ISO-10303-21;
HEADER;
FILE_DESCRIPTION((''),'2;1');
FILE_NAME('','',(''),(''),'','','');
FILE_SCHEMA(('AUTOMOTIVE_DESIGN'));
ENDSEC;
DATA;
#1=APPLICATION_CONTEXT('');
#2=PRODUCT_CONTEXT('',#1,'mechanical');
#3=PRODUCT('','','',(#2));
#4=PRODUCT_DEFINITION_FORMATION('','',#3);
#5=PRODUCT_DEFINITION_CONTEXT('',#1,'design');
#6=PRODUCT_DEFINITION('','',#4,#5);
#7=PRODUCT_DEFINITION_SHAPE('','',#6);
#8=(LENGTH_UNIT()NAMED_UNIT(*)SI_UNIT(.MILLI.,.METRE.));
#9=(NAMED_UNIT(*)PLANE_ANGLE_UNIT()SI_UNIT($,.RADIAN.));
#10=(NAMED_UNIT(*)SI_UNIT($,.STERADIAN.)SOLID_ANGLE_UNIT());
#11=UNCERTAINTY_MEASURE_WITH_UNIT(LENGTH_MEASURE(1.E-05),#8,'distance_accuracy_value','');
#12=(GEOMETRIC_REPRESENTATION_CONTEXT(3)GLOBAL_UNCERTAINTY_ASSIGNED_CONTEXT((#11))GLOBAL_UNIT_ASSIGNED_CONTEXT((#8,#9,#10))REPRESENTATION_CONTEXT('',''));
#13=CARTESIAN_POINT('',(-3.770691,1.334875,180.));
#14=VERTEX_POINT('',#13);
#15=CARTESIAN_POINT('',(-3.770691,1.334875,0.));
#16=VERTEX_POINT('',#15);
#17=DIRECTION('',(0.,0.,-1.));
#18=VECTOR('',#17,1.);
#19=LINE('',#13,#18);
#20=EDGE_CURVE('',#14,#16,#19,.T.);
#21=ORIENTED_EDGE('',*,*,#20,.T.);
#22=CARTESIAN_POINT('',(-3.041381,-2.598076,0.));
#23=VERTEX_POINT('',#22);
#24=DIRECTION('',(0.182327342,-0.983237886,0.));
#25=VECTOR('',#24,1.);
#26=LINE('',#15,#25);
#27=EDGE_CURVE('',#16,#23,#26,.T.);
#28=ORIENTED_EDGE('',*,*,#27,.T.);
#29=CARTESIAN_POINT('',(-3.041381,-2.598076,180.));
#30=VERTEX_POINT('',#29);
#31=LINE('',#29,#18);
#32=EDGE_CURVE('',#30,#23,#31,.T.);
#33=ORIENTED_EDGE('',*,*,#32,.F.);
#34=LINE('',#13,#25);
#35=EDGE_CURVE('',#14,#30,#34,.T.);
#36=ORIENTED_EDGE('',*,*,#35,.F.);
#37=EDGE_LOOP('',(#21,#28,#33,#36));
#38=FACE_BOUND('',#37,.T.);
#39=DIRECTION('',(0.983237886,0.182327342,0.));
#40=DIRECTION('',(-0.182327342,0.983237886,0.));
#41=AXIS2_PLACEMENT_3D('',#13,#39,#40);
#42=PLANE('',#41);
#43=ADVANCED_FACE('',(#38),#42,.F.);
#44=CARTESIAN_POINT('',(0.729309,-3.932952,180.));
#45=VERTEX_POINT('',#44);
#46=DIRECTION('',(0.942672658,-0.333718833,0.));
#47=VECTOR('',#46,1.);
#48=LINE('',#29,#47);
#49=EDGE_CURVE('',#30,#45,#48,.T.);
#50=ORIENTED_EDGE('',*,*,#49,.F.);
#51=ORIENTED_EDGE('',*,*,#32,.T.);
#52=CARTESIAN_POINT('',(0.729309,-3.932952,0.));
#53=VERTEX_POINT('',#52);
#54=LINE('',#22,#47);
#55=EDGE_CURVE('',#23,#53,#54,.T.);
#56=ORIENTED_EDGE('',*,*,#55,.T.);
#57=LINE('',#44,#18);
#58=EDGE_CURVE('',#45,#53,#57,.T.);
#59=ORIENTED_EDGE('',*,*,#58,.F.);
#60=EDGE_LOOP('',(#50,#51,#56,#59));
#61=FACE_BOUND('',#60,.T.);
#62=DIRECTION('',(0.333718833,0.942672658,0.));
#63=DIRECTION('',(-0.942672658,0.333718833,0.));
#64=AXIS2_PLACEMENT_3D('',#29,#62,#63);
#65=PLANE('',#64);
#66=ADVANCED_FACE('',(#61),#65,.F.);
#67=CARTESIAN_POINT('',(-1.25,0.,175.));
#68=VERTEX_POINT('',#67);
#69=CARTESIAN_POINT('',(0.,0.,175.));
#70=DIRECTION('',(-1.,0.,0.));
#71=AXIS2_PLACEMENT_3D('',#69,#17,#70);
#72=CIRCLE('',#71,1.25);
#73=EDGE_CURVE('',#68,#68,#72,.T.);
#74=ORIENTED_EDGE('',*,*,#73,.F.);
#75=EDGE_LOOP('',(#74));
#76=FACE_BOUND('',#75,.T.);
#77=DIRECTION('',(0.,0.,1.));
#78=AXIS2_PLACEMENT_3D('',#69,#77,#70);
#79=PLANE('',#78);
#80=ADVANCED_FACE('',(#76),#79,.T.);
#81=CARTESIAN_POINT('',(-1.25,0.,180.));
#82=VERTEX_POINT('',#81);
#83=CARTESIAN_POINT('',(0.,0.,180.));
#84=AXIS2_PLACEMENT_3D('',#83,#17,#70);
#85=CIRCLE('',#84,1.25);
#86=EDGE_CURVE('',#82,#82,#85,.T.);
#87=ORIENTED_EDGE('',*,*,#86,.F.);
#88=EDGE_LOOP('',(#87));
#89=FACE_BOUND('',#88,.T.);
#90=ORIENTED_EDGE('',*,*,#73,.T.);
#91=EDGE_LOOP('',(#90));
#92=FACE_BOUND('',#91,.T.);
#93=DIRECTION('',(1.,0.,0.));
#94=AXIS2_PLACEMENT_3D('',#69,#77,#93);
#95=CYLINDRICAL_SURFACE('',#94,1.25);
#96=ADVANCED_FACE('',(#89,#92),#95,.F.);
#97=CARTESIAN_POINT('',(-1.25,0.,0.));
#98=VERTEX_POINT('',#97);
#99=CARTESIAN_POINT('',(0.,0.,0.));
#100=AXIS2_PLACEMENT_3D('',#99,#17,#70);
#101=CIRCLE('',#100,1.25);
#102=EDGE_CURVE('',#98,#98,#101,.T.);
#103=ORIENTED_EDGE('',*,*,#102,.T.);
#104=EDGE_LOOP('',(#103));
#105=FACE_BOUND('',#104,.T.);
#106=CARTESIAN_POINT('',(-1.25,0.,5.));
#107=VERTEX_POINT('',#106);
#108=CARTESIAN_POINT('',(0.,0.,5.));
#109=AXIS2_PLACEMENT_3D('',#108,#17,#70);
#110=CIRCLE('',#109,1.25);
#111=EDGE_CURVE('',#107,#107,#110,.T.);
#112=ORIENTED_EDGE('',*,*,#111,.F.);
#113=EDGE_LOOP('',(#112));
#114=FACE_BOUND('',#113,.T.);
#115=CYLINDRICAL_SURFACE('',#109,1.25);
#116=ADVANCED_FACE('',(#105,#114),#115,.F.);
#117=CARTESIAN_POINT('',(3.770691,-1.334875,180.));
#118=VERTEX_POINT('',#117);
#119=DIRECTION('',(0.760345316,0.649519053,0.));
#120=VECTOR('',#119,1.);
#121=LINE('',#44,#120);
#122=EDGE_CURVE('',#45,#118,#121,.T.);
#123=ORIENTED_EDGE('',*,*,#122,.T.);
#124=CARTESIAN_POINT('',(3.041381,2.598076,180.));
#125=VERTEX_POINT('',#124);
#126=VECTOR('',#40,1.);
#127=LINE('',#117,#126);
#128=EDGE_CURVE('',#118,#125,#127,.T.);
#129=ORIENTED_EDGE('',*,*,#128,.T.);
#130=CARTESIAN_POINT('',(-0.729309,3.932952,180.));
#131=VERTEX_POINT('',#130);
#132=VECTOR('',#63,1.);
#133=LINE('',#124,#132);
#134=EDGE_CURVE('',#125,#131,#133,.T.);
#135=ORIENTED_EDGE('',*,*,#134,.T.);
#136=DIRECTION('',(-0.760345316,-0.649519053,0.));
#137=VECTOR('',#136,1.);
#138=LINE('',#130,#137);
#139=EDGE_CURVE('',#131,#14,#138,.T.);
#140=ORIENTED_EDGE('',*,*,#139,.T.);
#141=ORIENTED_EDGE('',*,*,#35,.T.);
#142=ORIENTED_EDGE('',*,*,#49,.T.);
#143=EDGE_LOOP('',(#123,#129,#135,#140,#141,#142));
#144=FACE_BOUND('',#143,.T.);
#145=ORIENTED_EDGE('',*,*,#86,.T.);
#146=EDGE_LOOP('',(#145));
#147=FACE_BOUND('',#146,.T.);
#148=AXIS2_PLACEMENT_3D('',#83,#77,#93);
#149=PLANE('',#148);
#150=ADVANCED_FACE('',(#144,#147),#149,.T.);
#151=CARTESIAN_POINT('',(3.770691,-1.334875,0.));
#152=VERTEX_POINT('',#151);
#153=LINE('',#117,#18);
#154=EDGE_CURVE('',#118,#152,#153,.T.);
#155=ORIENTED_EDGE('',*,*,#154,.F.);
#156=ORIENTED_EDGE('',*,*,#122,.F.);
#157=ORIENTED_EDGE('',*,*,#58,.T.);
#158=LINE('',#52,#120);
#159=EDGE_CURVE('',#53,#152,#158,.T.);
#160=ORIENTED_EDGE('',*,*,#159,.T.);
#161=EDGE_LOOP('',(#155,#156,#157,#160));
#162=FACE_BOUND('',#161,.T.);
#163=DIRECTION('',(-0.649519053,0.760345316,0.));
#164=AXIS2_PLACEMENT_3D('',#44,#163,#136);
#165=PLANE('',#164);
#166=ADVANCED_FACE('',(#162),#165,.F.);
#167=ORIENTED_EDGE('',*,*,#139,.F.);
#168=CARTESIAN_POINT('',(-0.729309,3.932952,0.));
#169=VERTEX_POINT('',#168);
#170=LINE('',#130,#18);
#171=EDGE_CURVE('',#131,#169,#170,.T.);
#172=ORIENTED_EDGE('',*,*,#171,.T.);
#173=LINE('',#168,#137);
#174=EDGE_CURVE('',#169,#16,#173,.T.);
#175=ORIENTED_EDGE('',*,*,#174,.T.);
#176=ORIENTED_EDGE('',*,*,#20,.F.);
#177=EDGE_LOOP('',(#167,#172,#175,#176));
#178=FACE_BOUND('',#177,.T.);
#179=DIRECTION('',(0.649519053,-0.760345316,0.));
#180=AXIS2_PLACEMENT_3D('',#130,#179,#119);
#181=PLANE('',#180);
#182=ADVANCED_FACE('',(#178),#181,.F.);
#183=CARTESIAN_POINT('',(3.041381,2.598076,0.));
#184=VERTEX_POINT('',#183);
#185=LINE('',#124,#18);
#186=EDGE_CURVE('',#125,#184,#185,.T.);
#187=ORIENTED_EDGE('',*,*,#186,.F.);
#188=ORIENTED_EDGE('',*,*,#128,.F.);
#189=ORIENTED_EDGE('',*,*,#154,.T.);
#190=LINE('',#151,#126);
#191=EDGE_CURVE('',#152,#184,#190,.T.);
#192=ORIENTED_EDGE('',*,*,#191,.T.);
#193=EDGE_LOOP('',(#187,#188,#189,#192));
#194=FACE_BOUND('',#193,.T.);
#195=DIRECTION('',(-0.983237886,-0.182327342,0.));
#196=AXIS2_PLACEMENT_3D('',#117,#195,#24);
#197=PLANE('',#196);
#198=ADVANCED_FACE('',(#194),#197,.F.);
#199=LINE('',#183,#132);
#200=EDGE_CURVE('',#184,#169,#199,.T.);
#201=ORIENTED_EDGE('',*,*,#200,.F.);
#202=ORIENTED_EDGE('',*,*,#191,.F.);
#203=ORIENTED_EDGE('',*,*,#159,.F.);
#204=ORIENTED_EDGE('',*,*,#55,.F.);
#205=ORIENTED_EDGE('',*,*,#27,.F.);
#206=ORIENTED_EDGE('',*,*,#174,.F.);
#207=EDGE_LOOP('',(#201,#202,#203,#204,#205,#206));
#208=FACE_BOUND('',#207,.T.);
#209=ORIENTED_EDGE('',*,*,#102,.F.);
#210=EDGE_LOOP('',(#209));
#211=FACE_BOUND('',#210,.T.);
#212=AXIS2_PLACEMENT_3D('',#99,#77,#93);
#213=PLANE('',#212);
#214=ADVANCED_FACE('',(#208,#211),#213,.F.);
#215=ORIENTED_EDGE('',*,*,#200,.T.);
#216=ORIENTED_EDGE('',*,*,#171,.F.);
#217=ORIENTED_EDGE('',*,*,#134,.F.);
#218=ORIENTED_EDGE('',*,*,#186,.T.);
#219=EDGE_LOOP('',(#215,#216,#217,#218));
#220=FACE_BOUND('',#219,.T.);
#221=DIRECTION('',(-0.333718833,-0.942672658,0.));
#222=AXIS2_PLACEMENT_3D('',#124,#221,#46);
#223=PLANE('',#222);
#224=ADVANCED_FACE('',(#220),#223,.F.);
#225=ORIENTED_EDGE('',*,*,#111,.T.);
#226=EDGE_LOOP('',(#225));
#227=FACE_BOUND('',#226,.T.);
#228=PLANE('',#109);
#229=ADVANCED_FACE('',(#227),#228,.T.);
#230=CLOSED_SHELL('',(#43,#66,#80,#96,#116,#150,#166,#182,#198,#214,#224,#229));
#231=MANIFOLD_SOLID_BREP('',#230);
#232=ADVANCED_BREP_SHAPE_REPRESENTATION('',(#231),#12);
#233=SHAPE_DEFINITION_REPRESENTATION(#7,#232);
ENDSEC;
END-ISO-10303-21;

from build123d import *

# Parameters (mm, degrees)
BOSS_EXTRUDE1_DEPTH = 180
SKETCH4_R           = 1.25
CUT_EXTRUDE1_DEPTH  = 5


with BuildPart() as part:
    # Sketch1 → Boss-Extrude1 (new body)
    with BuildSketch(Plane.XY):
        Polygon((3.770690633, -1.334875333), (3.041381265, 2.598076211), (-0.729309367, 3.932951544), (-3.770690633, 1.334875333), (-3.041381265, -2.598076211), (0.729309367, -3.932951544), align=None)
    extrude(amount=BOSS_EXTRUDE1_DEPTH)

    # Sketch4 → Cut-Extrude1 (cut)
    with BuildSketch(Plane(origin=(0, 0, 0), x_dir=(-1, 0, 0), z_dir=(0, 0, -1))):
        Circle(SKETCH4_R)
    cut_extrude1 = extrude(amount=-CUT_EXTRUDE1_DEPTH, mode=Mode.SUBTRACT)

    # Mirror1: Cut-Extrude1 across plane
    add(cut_extrude1.mirror(Plane.XY.offset(90)), mode=Mode.SUBTRACT)


solid = part.part
